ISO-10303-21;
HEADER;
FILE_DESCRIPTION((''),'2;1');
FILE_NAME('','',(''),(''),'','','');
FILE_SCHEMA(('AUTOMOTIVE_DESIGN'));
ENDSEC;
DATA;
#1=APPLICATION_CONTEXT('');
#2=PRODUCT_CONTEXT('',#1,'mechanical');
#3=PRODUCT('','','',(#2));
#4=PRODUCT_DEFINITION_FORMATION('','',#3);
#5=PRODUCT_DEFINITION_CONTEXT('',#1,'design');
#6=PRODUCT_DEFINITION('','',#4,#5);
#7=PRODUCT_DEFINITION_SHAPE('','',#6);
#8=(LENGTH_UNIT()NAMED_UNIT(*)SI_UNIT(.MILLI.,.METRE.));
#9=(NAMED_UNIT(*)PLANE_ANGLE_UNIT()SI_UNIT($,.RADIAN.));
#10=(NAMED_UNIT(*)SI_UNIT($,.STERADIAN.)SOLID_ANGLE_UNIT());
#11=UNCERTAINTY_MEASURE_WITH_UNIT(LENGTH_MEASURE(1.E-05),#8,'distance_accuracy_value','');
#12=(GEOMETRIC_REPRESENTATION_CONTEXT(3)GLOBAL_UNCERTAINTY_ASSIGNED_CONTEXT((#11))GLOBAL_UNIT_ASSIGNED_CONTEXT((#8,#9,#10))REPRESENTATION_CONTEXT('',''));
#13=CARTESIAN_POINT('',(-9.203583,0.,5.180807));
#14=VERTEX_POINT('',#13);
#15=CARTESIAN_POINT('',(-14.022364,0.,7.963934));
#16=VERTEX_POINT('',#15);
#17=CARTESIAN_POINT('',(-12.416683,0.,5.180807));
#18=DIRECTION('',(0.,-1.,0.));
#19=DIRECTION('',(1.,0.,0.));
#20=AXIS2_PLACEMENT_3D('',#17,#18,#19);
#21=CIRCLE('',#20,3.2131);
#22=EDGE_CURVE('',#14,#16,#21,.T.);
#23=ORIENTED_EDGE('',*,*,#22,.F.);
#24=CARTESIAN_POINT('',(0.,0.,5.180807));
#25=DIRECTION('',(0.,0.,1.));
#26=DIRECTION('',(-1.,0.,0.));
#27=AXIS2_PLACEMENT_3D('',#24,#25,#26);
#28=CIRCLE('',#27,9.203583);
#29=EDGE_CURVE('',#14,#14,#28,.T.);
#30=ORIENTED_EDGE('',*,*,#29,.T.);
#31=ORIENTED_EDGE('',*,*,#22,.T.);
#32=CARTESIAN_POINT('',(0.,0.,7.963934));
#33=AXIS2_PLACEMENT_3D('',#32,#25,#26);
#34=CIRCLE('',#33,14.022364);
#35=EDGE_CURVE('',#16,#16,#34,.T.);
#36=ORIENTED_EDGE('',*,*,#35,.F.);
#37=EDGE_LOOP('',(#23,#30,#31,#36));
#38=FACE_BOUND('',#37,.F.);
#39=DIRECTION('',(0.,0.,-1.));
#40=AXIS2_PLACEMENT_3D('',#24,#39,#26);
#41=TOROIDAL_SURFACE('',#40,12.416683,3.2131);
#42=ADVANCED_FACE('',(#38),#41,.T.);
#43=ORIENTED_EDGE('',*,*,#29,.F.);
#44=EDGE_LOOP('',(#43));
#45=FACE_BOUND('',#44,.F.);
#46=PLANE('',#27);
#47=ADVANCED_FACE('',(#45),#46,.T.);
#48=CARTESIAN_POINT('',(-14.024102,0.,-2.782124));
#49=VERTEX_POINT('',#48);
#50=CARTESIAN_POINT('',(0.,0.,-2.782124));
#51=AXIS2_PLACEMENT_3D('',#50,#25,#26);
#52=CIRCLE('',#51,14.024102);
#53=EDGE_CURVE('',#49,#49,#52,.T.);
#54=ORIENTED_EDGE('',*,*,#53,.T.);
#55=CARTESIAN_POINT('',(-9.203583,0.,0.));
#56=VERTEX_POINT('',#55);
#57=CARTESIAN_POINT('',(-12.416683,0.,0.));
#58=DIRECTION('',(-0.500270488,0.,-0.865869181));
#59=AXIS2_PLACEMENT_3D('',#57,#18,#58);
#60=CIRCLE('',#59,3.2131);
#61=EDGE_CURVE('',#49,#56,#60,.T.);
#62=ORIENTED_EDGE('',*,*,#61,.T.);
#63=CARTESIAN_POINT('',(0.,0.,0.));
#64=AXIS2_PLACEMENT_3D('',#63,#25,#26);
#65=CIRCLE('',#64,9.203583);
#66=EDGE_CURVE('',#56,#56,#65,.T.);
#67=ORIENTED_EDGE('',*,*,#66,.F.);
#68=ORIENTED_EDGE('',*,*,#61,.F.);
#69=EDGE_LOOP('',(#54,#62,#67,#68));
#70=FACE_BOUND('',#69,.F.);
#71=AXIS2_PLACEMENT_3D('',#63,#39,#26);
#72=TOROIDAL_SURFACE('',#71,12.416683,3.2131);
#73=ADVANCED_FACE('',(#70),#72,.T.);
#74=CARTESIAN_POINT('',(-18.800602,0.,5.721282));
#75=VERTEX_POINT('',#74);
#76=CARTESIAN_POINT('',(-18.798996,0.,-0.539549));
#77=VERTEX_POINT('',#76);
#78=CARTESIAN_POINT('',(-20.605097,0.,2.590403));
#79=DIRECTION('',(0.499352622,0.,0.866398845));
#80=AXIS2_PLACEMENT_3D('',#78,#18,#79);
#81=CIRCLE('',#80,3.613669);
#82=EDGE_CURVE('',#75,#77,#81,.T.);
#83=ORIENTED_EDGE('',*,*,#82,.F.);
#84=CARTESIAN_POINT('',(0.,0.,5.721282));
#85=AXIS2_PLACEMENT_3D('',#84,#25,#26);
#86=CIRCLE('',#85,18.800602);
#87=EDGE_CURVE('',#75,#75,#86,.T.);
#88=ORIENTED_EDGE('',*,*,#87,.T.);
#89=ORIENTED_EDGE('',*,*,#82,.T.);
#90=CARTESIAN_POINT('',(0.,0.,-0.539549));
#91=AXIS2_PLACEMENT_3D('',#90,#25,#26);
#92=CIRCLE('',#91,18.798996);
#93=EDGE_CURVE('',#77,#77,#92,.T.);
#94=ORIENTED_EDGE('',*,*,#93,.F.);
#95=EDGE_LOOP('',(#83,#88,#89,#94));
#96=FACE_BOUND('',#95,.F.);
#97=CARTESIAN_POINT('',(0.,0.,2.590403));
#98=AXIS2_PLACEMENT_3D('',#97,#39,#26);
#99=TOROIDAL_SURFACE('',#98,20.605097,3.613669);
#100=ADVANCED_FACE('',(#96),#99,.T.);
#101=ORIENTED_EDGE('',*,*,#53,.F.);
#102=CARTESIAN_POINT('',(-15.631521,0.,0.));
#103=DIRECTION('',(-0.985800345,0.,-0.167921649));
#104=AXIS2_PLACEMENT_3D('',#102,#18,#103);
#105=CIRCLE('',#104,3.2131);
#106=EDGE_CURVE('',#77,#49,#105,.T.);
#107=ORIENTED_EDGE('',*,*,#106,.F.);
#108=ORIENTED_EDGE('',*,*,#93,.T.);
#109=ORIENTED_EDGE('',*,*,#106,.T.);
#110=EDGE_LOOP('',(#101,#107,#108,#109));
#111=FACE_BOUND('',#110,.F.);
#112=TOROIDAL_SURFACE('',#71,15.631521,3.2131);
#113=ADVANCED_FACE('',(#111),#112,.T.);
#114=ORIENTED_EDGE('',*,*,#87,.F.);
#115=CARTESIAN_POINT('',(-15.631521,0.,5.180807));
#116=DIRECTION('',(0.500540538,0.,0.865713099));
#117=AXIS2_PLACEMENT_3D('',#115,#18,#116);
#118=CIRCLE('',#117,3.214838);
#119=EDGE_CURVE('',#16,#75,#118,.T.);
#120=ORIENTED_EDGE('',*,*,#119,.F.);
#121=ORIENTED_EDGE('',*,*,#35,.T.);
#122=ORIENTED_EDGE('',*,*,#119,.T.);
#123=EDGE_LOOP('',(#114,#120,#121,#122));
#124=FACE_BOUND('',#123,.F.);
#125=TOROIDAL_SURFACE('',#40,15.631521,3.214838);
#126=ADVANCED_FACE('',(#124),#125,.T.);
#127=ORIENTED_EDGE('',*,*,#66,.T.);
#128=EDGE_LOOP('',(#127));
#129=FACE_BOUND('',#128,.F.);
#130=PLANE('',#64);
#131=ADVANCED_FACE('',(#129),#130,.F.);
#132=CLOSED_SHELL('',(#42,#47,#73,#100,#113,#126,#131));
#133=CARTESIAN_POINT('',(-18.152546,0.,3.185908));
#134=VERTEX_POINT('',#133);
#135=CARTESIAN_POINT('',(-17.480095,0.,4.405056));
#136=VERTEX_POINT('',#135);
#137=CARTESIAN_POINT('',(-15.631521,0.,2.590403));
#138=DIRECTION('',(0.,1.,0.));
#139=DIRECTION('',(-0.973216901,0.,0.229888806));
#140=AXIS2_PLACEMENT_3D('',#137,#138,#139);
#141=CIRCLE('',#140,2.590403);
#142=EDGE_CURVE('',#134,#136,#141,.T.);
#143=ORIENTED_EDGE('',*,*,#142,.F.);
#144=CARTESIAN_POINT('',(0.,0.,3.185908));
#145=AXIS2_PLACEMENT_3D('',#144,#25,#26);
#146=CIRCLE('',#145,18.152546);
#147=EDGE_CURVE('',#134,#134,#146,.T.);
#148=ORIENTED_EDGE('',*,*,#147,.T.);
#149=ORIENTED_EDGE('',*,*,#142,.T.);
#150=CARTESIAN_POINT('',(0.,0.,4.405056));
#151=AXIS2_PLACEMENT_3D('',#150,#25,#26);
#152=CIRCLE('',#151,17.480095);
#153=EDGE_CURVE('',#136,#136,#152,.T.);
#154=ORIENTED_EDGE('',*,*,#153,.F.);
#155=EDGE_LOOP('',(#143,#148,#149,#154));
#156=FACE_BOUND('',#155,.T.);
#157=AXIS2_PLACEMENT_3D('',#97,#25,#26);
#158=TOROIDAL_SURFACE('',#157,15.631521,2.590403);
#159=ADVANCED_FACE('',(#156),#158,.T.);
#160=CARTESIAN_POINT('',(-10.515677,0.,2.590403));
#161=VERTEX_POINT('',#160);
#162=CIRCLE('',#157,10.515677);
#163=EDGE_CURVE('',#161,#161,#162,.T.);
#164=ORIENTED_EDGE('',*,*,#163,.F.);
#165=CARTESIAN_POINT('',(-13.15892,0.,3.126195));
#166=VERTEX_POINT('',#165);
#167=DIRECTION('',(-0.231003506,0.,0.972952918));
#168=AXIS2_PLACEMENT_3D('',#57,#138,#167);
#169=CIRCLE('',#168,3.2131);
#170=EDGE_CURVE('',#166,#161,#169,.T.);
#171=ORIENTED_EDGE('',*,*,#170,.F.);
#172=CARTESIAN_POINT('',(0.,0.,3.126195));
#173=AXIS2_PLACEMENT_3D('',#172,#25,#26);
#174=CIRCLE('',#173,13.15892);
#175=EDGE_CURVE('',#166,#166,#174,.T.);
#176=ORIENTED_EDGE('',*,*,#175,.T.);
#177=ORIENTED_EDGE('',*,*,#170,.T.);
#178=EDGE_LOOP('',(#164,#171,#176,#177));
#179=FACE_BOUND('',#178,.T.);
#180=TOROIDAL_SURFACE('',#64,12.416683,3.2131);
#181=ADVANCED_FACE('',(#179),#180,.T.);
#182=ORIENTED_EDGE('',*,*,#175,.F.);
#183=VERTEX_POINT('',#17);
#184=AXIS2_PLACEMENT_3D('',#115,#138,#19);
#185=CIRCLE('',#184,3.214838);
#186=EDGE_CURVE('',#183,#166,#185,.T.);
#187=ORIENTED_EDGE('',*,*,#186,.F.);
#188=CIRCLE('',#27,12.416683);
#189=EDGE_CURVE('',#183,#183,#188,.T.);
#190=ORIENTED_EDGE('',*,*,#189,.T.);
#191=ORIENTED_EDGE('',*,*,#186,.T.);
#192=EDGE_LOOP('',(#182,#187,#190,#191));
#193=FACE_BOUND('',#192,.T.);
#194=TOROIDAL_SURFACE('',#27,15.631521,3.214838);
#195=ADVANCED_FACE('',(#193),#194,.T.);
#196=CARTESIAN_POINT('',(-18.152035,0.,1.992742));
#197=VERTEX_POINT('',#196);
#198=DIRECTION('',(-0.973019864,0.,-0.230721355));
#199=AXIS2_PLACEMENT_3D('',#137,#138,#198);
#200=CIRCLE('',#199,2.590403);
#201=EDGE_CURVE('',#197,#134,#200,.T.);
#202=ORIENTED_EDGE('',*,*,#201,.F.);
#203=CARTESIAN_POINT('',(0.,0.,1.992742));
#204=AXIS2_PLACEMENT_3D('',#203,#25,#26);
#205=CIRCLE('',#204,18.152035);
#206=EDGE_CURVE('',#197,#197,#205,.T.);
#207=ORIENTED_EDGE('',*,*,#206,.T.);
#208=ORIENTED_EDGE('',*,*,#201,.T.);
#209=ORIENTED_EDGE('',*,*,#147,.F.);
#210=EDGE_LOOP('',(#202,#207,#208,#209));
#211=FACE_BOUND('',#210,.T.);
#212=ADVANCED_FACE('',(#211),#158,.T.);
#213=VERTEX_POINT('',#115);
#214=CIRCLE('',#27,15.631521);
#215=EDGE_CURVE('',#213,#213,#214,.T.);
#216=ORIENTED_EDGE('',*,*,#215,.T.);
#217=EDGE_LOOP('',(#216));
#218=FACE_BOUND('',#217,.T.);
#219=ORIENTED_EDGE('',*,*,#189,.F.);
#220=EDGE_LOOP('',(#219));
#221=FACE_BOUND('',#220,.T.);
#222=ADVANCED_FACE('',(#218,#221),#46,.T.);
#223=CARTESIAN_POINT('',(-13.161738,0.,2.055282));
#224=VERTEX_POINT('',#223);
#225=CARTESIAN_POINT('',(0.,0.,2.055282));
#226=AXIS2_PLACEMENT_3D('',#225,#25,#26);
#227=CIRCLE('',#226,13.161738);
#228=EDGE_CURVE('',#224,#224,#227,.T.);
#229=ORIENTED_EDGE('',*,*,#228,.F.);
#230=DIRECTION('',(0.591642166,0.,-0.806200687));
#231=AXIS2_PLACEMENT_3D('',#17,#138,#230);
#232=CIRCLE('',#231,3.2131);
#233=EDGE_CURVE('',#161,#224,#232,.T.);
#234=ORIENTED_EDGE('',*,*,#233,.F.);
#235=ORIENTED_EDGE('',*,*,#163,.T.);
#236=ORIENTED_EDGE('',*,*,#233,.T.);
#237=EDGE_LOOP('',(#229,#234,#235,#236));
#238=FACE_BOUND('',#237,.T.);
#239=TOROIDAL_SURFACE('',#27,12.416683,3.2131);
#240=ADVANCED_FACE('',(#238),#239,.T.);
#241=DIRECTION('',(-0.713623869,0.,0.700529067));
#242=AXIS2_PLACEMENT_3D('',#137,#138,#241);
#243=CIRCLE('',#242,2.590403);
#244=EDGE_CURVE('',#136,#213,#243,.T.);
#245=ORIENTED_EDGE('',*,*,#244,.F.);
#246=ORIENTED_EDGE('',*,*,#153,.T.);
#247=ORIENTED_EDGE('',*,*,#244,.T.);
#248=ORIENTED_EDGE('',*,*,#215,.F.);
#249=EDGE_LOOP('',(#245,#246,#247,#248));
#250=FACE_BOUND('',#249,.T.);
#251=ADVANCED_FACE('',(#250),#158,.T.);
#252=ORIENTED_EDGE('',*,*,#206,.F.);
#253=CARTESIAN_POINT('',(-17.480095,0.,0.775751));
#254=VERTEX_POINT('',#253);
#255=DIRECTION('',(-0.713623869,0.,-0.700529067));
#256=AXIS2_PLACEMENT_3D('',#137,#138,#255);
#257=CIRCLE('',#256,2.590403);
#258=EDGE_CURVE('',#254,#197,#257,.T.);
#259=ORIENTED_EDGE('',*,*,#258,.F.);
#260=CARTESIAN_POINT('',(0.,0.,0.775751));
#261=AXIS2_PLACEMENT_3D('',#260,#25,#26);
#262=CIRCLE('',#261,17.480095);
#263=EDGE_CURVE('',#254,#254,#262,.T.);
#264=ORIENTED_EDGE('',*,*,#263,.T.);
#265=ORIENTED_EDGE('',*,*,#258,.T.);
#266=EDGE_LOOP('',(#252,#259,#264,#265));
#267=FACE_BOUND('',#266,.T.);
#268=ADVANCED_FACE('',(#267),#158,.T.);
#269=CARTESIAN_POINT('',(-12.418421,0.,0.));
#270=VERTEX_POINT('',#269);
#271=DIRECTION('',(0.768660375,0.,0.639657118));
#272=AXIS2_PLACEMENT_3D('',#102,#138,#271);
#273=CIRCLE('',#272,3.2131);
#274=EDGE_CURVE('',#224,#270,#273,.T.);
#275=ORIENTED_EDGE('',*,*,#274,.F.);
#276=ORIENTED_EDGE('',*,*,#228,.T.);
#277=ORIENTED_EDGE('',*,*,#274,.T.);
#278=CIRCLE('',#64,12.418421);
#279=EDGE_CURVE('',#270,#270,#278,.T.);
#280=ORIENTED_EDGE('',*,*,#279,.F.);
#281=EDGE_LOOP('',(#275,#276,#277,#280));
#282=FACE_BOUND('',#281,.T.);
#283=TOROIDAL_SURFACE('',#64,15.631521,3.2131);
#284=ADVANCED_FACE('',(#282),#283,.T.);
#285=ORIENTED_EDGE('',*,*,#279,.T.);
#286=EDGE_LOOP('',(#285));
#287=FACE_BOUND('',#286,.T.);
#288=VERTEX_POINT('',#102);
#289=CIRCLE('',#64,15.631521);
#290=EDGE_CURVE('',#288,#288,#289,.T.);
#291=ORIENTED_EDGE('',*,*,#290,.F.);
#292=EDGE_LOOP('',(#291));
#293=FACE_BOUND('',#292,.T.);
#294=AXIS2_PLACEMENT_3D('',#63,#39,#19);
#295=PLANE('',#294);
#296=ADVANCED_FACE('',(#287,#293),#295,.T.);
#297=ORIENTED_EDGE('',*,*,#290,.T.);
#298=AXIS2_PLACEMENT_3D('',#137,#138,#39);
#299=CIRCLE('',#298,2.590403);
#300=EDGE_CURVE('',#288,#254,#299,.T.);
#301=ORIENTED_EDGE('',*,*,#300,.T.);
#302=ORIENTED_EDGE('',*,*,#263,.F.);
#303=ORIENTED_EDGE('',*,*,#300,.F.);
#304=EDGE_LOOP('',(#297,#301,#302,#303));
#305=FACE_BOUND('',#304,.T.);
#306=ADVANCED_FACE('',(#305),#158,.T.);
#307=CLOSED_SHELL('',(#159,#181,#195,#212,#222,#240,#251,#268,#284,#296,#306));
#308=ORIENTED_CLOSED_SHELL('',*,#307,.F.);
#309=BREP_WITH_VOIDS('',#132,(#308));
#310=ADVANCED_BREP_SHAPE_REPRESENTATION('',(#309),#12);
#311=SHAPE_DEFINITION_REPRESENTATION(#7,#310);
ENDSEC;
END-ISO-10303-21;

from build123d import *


with BuildPart() as f1:
    # F0 (on Front) → F1 (revolve)
    with BuildSketch(Plane.XZ):
        with BuildLine():
            Line((-9.2035829094, 0), (0, 0))
            Line((0, 0), (0, 5.1808068529))
            Line((0, 5.1808068529), (-9.2035829094, 5.1808068529))
            ThreePointArc((-9.2035829094, 5.1808068529), (-9.5503148065, 3.7289303055), (-10.5156774653, 2.5904034264))
            ThreePointArc((-10.5156774653, 2.5904034264), (-9.5503148065, 1.4518765474), (-9.2035829094, 0))
        make_face()
        with BuildLine():
            ThreePointArc((-14.024102015, -2.7821242655), (-10.810567521, -2.7828771028), (-9.2035829094, 0))
            Line((-9.2035829094, 0), (-12.4184211207, 0))
            ThreePointArc((-12.4184211207, 0), (-12.8486440179, -1.6061153884), (-14.024102015, -2.7821242655))
        make_face()
        with BuildLine():
            Line((-12.4184211207, 0), (-9.2035829094, 0))
            ThreePointArc((-9.2035829094, 0), (-9.5503148065, 1.4518765474), (-10.5156774653, 2.5904034264))
            ThreePointArc((-10.5156774653, 2.5904034264), (-11.7797812754, 2.0314628071), (-13.1617384711, 2.0552822857))
            ThreePointArc((-13.1617384711, 2.0552822857), (-12.6099594184, 1.0927838255), (-12.4184211207, 0))
        make_face()
        with BuildLine():
            ThreePointArc((-14.024102015, -2.7821242655), (-12.8486440179, -1.6061153884), (-12.4184211207, 0))
            Line((-12.4184211207, 0), (-15.6297829094, 0))
            ThreePointArc((-15.6297829094, 0), (-15.1995600122, -1.6061153884), (-14.024102015, -2.7821242655))
        make_face()
        with BuildLine():
            ThreePointArc((-13.1589202753, 3.1261950199), (-11.7783616559, 3.1490566186), (-10.5156774653, 2.5904034264))
            ThreePointArc((-10.5156774653, 2.5904034264), (-9.5503148065, 3.7289303055), (-9.2035829094, 5.1808068529))
            Line((-9.2035829094, 5.1808068529), (-12.4166829094, 5.1808068529))
            ThreePointArc((-12.4166829094, 5.1808068529), (-12.6079308373, 4.0885218521), (-13.1589202753, 3.1261950199))
        make_face()
        with BuildLine():
            ThreePointArc((-18.7989962083, -0.5395490516), (-16.9974382354, -2.908312577), (-14.024102015, -2.7821242655))
            ThreePointArc((-14.024102015, -2.7821242655), (-15.1995600122, -1.6061153884), (-15.6297829094, 0))
            Line((-15.6297829094, 0), (-15.6315211207, 0))
            ThreePointArc((-15.6315211207, 0), (-16.6338950113, 0.2017978719), (-17.4800948359, 0.7757505309))
            ThreePointArc((-17.4800948359, 0.7757505309), (-18.0533432093, 0.0316623722), (-18.7989962083, -0.5395490516))
        make_face()
        with BuildLine():
            Line((-12.4166829094, 5.1808068529), (-9.2035829094, 5.1808068529))
            ThreePointArc((-9.2035829094, 5.1808068529), (-10.8096986502, 7.9631823129), (-14.0223642737, 7.9639344041))
            ThreePointArc((-14.0223642737, 7.9639344041), (-12.8468879631, 6.7873568529), (-12.4166829094, 5.1808068529))
        make_face()
        with BuildLine():
            ThreePointArc((-18.8006016791, 5.7212817729), (-24.2187651253, 2.58947677), (-18.7989962083, -0.5395490516))
            ThreePointArc((-18.7989962083, -0.5395490516), (-18.7446272031, 0.7953503188), (-18.1520351114, 1.9927420387))
            ThreePointArc((-18.1520351114, 1.9927420387), (-18.2219243101, 2.5892953209), (-18.1525455161, 3.1859081782))
            ThreePointArc((-18.1525455161, 3.1859081782), (-18.7462206909, 4.384671618), (-18.8006016791, 5.7212817729))
        make_face()
        with BuildLine():
            ThreePointArc((-18.1520351114, 1.9927420387), (-18.7446272031, 0.7953503188), (-18.7989962083, -0.5395490516))
            ThreePointArc((-18.7989962083, -0.5395490516), (-18.0533432093, 0.0316623722), (-17.4800948359, 0.7757505309))
            ThreePointArc((-17.4800948359, 0.7757505309), (-17.8992289784, 1.3383287546), (-18.1520351114, 1.9927420387))
        make_face()
        with BuildLine():
            Line((-15.6297829094, 5.1808068529), (-12.4166829094, 5.1808068529))
            ThreePointArc((-12.4166829094, 5.1808068529), (-12.8468879631, 6.7873568529), (-14.0223642737, 7.9639344041))
            ThreePointArc((-14.0223642737, 7.9639344041), (-15.1990583695, 6.787791112), (-15.6297829094, 5.1808068529))
        make_face()
        with BuildLine():
            ThreePointArc((-15.6297829094, 5.1808068529), (-15.1990583695, 6.787791112), (-14.0223642737, 7.9639344041))
            ThreePointArc((-14.0223642737, 7.9639344041), (-16.997432246, 8.0910425001), (-18.8006016791, 5.7212817729))
            ThreePointArc((-18.8006016791, 5.7212817729), (-18.0539994336, 5.1497987451), (-17.4800948359, 4.405056322))
            ThreePointArc((-17.4800948359, 4.405056322), (-16.6338950113, 4.9790089809), (-15.6315211207, 5.1808068529))
            Line((-15.6315211207, 5.1808068529), (-15.6297829094, 5.1808068529))
        make_face()
        with BuildLine():
            ThreePointArc((-17.4800948359, 4.405056322), (-18.0539994336, 5.1497987451), (-18.8006016791, 5.7212817729))
            ThreePointArc((-18.8006016791, 5.7212817729), (-18.7462206909, 4.384671618), (-18.1525455161, 3.1859081782))
            ThreePointArc((-18.1525455161, 3.1859081782), (-17.8997643751, 3.8415079187), (-17.4800948359, 4.405056322))
        make_face()
    revolve(axis=Axis((0, 0, 2.5904034264), (0, 0, 1)))


solid = f1.part
